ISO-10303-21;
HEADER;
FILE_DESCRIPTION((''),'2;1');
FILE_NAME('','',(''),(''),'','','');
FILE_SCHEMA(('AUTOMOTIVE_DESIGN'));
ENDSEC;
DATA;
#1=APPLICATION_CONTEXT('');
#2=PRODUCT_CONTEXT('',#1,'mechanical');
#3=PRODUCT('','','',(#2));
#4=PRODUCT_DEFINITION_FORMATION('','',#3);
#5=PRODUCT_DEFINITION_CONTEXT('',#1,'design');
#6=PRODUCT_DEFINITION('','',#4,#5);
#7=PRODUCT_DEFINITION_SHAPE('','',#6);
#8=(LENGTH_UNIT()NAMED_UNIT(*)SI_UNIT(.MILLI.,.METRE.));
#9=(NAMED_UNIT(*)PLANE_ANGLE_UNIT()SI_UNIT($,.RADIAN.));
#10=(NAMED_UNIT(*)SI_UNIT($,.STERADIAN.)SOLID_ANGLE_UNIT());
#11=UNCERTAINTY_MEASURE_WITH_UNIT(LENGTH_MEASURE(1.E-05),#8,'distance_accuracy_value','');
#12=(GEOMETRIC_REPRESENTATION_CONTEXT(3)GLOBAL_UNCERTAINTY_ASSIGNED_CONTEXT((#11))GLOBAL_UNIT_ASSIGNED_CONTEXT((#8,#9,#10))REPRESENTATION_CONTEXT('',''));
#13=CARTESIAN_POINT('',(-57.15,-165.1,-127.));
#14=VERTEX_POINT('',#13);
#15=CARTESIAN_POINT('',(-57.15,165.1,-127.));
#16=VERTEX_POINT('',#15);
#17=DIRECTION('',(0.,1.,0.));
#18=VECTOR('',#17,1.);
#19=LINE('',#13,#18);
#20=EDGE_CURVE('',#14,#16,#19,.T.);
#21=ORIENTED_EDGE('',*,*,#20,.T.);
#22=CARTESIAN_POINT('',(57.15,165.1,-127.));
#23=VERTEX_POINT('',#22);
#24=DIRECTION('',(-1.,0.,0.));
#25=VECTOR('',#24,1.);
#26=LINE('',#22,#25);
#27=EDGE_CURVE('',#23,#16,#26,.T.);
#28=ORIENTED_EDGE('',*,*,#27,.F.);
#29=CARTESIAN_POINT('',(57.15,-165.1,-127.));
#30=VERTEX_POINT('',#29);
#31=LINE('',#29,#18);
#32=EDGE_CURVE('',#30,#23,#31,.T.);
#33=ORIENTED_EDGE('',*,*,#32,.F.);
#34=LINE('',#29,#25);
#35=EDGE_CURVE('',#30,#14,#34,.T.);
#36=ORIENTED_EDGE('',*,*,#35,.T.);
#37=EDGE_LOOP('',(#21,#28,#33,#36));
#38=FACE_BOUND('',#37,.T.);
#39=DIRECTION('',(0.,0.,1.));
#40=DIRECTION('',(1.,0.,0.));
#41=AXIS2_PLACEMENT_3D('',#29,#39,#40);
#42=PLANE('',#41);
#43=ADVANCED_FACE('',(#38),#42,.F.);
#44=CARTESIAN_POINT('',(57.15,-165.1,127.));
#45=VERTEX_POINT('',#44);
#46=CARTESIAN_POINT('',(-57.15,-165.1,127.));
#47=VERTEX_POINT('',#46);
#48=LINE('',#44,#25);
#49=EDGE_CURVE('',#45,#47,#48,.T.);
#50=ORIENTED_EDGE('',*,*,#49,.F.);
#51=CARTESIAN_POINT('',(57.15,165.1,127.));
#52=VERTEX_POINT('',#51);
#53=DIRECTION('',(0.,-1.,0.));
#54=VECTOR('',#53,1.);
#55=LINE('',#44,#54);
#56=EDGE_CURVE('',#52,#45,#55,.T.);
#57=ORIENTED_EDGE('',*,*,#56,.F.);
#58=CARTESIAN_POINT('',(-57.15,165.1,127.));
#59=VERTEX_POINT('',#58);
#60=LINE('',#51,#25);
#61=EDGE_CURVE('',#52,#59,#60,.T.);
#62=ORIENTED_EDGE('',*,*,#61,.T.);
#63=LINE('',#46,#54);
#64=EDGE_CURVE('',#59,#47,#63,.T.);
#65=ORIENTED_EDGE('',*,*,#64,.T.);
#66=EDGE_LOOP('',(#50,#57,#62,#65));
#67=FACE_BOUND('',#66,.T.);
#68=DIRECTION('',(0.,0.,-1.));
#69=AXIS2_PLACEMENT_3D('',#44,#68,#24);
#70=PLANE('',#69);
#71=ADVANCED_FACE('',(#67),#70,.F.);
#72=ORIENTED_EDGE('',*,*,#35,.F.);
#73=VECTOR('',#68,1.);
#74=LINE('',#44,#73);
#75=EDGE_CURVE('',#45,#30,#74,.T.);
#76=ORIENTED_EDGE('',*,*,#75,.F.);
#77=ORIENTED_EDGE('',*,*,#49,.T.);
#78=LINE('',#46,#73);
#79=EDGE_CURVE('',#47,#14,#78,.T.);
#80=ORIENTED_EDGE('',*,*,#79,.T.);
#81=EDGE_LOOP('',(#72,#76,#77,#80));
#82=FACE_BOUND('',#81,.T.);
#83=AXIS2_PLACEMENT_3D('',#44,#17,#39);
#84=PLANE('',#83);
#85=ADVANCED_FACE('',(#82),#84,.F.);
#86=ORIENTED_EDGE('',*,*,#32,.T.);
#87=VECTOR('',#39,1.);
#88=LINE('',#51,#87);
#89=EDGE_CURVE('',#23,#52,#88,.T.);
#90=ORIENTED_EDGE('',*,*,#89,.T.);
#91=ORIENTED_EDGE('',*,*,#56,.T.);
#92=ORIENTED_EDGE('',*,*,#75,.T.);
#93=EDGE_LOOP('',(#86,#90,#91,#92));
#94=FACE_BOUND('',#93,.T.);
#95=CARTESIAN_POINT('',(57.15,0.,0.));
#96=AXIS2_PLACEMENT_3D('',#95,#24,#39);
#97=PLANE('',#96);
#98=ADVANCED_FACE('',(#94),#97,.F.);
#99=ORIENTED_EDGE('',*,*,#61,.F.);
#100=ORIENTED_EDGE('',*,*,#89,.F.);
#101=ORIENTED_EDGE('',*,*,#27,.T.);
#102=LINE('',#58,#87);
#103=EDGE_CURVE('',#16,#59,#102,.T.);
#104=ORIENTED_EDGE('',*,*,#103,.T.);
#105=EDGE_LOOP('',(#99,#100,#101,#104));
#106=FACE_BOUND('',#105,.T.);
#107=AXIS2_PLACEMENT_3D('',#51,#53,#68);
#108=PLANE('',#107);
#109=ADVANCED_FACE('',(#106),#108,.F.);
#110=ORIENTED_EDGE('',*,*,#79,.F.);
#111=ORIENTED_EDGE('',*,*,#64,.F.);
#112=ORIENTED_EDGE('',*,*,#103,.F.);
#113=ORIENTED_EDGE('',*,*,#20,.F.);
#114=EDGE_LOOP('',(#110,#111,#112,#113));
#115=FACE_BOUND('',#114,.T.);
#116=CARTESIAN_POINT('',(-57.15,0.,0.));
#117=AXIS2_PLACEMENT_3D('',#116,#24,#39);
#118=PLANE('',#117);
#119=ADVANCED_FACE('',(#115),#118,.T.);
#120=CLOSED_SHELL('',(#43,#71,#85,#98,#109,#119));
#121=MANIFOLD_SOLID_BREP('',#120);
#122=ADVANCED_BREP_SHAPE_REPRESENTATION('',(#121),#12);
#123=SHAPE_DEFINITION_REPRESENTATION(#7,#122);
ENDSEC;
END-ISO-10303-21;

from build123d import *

# Parameters (mm, degrees)
MOTOR_CROSS_SECTION_W = 254
MOTOR_CROSS_SECTION_H = 330.2
MOTOR_DEPTH           = 57.15


with BuildPart() as part:
    # Motor Cross Section → Motor (new body, symmetric)
    with BuildSketch(Plane(origin=(0, 0, 0), x_dir=(0, 0, -1), z_dir=(1, 0, 0))):
        Rectangle(MOTOR_CROSS_SECTION_W, MOTOR_CROSS_SECTION_H)
    extrude(amount=MOTOR_DEPTH, both=True)


solid = part.part
